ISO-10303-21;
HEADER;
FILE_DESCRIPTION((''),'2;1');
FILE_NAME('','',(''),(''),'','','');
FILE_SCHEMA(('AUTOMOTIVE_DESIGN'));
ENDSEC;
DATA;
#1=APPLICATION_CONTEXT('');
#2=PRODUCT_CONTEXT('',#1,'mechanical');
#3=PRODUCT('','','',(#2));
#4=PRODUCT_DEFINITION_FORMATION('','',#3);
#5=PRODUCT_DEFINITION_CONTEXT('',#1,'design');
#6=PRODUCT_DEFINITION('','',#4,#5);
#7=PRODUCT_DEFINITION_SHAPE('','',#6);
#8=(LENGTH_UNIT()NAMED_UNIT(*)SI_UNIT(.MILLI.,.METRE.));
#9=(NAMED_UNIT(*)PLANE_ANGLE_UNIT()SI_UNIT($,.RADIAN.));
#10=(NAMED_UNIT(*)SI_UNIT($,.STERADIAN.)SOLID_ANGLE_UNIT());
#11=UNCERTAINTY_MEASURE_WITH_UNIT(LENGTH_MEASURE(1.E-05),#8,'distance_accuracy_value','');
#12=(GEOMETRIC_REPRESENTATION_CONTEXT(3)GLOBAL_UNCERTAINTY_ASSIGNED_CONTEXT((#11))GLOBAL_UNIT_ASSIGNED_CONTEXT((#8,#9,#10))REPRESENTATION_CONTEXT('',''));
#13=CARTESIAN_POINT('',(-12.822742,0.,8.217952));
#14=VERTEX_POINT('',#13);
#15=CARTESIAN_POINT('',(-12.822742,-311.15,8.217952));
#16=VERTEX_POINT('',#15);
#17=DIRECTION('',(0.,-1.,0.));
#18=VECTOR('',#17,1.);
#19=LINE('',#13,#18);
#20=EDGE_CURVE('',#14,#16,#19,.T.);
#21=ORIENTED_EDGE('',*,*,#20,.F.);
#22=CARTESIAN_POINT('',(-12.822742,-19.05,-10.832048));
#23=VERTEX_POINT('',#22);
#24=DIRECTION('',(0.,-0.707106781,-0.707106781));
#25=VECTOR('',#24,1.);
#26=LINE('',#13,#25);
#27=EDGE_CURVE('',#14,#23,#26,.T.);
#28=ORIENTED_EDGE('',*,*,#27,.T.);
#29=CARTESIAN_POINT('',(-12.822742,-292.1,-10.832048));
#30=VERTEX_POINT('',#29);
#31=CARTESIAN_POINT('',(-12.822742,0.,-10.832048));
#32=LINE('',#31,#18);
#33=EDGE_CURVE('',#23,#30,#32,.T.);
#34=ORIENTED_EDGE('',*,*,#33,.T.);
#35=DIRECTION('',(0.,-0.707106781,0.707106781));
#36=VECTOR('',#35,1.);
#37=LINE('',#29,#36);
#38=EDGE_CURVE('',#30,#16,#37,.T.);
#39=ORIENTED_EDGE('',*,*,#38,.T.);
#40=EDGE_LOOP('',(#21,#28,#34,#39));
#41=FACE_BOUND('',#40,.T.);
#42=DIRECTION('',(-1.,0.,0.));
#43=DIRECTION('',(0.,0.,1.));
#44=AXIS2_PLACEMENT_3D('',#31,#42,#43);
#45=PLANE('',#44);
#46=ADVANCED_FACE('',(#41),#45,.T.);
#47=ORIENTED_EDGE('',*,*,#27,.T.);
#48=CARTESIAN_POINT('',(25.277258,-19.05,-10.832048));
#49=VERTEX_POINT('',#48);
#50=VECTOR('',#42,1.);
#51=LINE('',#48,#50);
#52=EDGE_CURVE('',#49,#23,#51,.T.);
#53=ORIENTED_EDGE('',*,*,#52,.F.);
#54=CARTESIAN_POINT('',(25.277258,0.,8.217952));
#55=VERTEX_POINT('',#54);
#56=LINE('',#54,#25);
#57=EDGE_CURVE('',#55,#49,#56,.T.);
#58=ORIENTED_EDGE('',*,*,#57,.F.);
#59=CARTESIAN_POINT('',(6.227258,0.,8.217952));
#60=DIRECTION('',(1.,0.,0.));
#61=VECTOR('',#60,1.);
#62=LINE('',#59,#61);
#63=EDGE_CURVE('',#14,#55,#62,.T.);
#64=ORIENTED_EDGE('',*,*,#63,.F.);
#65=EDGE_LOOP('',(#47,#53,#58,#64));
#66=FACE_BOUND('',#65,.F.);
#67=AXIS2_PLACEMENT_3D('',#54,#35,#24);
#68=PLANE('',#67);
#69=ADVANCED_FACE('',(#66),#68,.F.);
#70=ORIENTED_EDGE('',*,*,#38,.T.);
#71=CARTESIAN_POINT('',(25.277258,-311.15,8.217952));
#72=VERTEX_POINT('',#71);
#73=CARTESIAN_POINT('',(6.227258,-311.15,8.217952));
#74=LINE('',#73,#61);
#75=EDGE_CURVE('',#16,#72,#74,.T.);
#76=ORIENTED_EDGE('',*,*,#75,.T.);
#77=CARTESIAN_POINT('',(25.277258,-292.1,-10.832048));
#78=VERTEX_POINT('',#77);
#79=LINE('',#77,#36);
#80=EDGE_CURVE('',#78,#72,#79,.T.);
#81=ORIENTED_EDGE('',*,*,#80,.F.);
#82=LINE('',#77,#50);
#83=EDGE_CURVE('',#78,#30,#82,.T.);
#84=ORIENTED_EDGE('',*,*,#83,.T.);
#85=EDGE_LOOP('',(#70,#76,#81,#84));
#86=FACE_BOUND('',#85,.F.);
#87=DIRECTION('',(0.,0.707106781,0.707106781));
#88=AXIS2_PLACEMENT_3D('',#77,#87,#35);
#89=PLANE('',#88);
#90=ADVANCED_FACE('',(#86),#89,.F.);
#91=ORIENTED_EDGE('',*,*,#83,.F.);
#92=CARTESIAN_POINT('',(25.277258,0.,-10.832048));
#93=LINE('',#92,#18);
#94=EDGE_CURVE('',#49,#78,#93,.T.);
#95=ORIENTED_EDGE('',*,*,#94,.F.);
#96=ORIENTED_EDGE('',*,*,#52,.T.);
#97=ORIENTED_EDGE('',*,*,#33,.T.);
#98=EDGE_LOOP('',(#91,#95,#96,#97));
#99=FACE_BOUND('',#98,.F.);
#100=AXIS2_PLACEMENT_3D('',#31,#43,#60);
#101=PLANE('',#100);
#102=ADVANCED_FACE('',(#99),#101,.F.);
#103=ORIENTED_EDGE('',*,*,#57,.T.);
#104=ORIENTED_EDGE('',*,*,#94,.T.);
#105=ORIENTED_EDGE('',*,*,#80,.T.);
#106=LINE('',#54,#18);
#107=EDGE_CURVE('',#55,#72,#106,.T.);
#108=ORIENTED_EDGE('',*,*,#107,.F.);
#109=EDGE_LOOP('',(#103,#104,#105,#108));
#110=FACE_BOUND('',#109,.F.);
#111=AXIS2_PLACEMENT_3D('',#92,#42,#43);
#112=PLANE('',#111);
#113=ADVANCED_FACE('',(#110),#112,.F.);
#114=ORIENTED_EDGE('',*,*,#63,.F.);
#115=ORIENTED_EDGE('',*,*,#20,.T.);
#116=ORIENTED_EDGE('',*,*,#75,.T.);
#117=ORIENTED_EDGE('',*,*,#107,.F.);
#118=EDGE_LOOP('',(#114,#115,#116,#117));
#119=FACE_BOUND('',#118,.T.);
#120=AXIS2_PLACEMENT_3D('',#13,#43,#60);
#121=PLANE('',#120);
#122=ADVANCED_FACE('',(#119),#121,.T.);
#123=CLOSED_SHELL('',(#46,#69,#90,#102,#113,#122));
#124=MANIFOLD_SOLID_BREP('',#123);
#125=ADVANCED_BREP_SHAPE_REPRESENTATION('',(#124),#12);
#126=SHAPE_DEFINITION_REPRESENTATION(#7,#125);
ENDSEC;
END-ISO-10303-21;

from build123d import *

# Parameters (mm, degrees)
F0_W     = 38.1
F0_H     = 19.05
F1_DEPTH = 311.15
F3_DEPTH = 38.1


with BuildPart() as f1:
    # F0 (on Front) → F1 (new body)
    with BuildSketch(Plane.XZ):
        with Locations((6.227258, -1.307048)):
            Rectangle(F0_W, F0_H)
    extrude(amount=F1_DEPTH)

    # F2 (on face) → F3 (cut)
    with BuildSketch(Plane.YZ.offset(25.277258)):
        Polygon((-292.1, -10.832048), (-311.15, 8.217952), (-311.15, -10.832048), align=None)
        Polygon((0, -10.832048), (0, 8.217952), (-19.05, -10.832048), align=None)
    extrude(amount=-F3_DEPTH, mode=Mode.SUBTRACT)


solid = f1.part
